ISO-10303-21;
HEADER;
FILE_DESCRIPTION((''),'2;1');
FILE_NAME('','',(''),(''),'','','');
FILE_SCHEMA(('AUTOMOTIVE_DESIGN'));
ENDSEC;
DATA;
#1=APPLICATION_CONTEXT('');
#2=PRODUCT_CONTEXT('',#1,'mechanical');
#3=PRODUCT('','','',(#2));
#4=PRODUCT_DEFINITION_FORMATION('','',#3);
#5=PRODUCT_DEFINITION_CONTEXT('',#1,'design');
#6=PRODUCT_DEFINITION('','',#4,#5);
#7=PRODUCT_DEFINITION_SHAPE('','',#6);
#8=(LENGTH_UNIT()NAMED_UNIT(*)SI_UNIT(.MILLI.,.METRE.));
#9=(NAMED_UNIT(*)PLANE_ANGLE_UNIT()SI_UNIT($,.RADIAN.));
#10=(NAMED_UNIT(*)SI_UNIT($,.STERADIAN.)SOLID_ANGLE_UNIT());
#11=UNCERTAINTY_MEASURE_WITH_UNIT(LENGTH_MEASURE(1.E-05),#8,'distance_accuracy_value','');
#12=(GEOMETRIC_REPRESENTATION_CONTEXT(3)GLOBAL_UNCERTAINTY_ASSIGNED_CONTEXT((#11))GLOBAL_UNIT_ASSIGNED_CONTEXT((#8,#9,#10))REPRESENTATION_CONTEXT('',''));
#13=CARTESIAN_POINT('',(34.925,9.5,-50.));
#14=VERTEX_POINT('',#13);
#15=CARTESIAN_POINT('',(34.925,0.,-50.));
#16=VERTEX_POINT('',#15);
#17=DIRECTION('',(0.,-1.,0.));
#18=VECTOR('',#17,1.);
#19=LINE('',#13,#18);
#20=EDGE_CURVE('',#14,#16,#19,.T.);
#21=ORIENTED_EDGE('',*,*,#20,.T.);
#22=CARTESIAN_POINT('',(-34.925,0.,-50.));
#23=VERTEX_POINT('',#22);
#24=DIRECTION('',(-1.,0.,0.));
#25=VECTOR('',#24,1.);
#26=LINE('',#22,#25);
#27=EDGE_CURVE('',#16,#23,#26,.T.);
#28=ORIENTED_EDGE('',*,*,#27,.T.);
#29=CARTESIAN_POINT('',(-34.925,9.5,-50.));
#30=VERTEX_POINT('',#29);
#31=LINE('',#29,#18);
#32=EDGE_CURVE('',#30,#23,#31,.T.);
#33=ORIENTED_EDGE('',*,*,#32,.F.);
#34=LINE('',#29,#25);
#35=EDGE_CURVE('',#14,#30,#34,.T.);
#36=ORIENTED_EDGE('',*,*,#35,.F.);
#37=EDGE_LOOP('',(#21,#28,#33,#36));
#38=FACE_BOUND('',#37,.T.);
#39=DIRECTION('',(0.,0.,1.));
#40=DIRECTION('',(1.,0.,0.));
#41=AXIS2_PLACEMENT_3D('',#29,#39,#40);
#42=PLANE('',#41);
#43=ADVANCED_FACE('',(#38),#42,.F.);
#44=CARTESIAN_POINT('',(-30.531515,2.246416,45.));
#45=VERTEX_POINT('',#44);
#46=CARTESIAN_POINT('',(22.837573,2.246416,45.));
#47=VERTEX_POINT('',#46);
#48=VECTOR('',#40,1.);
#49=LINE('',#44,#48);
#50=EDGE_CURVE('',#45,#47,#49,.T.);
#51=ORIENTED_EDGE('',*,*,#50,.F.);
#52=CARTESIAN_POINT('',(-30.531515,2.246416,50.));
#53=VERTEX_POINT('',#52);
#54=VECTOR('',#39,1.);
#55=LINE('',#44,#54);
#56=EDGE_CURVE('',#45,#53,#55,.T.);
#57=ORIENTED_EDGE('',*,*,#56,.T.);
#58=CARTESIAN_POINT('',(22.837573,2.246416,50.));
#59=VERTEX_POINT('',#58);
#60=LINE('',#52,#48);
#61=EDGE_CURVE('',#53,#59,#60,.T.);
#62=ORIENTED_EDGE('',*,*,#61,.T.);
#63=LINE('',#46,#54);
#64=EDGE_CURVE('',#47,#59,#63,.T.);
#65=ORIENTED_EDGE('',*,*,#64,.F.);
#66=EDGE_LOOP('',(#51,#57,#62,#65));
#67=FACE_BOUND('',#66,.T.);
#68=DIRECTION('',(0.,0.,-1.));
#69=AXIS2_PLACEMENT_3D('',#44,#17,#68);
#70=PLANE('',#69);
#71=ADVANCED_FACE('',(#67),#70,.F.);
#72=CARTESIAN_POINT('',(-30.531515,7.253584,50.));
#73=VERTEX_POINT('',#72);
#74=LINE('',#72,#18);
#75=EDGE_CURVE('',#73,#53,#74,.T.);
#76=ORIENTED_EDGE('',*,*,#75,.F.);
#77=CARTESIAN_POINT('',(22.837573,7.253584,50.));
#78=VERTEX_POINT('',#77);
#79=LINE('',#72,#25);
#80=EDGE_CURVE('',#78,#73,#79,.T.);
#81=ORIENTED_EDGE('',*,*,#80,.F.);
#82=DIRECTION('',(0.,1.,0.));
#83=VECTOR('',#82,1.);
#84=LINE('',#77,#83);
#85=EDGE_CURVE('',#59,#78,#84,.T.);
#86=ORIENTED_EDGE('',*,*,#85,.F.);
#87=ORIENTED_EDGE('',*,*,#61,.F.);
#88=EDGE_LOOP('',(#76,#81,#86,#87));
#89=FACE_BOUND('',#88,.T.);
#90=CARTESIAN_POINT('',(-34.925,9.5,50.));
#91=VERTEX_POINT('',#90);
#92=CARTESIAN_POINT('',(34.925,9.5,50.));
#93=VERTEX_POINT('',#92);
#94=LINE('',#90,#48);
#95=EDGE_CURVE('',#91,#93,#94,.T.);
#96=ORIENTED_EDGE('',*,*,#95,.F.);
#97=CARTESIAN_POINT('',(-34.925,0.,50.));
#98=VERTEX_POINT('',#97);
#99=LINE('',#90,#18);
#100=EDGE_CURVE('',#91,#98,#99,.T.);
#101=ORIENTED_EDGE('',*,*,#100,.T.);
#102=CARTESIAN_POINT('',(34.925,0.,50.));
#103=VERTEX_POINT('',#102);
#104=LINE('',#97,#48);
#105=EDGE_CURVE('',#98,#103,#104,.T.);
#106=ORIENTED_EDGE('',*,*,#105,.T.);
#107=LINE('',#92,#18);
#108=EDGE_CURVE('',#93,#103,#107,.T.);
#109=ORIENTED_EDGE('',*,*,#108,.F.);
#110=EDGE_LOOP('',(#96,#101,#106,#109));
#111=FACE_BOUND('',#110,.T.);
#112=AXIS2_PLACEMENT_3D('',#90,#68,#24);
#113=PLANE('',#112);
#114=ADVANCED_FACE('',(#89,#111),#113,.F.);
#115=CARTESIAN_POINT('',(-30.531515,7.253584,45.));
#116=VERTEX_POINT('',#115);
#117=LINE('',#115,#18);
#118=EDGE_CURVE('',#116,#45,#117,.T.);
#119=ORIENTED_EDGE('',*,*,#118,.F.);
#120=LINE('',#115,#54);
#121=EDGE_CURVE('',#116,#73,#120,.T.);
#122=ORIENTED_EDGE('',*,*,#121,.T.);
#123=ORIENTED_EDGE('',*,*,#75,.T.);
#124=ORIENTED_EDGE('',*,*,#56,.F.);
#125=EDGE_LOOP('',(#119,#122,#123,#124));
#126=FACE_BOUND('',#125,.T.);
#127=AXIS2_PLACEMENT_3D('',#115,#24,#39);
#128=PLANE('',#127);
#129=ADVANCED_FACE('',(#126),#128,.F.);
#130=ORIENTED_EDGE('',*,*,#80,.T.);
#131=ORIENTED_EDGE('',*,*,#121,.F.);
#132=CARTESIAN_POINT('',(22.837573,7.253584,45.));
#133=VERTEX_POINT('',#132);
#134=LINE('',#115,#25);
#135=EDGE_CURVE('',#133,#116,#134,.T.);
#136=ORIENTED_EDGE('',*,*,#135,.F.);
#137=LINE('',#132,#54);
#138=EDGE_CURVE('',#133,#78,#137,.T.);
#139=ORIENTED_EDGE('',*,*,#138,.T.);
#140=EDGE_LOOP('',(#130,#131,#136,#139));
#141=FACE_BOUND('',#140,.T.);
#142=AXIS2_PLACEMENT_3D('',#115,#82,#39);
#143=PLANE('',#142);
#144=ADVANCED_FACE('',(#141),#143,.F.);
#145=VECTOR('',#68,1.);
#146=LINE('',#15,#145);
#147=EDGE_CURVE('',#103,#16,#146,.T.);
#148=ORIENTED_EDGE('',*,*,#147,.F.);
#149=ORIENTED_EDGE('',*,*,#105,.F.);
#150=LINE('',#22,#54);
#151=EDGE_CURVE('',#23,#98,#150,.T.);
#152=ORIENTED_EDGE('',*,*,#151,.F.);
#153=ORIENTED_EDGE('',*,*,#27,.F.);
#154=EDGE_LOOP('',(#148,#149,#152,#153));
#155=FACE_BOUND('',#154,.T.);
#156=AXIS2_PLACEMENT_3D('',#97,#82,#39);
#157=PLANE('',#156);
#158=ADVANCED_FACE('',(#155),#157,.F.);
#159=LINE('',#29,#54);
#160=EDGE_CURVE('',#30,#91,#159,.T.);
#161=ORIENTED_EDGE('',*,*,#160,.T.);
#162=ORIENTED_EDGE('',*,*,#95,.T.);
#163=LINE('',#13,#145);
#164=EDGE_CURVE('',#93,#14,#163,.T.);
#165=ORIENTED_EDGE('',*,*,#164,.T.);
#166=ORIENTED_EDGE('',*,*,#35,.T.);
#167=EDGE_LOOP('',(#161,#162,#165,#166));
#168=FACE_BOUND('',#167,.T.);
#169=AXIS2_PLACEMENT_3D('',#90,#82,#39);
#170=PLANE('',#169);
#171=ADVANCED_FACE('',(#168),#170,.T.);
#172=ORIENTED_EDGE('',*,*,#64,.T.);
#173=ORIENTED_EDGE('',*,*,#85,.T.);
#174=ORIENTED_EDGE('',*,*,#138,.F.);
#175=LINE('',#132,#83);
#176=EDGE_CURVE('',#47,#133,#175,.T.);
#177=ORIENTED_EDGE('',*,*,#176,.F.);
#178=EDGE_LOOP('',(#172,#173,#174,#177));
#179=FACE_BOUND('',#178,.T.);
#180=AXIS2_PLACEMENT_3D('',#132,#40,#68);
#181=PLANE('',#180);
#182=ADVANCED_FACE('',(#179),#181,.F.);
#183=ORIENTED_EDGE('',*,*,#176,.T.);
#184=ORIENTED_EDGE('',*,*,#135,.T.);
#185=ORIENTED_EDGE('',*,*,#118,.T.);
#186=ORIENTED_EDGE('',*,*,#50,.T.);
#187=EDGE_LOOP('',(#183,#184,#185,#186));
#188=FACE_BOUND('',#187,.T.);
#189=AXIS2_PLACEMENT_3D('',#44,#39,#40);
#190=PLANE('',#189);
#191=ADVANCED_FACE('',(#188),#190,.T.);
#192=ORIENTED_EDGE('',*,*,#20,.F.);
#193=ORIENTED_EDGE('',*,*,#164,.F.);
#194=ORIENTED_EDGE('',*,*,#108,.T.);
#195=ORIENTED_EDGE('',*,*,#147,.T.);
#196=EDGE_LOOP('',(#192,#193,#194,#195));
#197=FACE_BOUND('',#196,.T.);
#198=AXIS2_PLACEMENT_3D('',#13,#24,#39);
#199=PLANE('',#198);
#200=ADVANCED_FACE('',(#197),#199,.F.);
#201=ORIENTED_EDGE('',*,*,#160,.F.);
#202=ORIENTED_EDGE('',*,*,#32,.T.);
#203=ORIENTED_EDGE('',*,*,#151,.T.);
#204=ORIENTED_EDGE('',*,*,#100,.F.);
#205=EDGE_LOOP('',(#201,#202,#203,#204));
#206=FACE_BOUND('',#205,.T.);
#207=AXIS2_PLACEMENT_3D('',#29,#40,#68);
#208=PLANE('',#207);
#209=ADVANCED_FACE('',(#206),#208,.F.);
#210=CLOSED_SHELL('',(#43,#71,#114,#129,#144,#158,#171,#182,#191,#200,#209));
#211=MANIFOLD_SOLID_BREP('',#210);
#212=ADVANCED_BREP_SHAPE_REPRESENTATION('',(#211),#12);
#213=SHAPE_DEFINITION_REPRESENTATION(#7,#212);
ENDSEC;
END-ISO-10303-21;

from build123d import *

# Parameters (mm, degrees)
SKICA1_W                 = 69.85
SKICA1_H                 = 100
P_IDAT_VYSUNUT_M1_DEPTH  = 9.5
SKICA2_W                 = 53.369088207
SKICA2_H                 = 5.007168458
ODEBRAT_VYSUNUT_M1_DEPTH = 5


with BuildPart() as part:
    # Skica1 → Přidat vysunutím1 (new body)
    with BuildSketch(Plane(origin=(0, 0, 0), x_dir=(1, 0, 0), z_dir=(0, 1, 0))):
        Rectangle(SKICA1_W, SKICA1_H)
    extrude(amount=P_IDAT_VYSUNUT_M1_DEPTH)

    # Skica2 → Odebrat vysunutím1 (cut)
    with BuildSketch(Plane.XY.offset(50)):
        with Locations((-3.846970889, 4.75)):
            Rectangle(SKICA2_W, SKICA2_H)
    extrude(amount=-ODEBRAT_VYSUNUT_M1_DEPTH, mode=Mode.SUBTRACT)


solid = part.part
